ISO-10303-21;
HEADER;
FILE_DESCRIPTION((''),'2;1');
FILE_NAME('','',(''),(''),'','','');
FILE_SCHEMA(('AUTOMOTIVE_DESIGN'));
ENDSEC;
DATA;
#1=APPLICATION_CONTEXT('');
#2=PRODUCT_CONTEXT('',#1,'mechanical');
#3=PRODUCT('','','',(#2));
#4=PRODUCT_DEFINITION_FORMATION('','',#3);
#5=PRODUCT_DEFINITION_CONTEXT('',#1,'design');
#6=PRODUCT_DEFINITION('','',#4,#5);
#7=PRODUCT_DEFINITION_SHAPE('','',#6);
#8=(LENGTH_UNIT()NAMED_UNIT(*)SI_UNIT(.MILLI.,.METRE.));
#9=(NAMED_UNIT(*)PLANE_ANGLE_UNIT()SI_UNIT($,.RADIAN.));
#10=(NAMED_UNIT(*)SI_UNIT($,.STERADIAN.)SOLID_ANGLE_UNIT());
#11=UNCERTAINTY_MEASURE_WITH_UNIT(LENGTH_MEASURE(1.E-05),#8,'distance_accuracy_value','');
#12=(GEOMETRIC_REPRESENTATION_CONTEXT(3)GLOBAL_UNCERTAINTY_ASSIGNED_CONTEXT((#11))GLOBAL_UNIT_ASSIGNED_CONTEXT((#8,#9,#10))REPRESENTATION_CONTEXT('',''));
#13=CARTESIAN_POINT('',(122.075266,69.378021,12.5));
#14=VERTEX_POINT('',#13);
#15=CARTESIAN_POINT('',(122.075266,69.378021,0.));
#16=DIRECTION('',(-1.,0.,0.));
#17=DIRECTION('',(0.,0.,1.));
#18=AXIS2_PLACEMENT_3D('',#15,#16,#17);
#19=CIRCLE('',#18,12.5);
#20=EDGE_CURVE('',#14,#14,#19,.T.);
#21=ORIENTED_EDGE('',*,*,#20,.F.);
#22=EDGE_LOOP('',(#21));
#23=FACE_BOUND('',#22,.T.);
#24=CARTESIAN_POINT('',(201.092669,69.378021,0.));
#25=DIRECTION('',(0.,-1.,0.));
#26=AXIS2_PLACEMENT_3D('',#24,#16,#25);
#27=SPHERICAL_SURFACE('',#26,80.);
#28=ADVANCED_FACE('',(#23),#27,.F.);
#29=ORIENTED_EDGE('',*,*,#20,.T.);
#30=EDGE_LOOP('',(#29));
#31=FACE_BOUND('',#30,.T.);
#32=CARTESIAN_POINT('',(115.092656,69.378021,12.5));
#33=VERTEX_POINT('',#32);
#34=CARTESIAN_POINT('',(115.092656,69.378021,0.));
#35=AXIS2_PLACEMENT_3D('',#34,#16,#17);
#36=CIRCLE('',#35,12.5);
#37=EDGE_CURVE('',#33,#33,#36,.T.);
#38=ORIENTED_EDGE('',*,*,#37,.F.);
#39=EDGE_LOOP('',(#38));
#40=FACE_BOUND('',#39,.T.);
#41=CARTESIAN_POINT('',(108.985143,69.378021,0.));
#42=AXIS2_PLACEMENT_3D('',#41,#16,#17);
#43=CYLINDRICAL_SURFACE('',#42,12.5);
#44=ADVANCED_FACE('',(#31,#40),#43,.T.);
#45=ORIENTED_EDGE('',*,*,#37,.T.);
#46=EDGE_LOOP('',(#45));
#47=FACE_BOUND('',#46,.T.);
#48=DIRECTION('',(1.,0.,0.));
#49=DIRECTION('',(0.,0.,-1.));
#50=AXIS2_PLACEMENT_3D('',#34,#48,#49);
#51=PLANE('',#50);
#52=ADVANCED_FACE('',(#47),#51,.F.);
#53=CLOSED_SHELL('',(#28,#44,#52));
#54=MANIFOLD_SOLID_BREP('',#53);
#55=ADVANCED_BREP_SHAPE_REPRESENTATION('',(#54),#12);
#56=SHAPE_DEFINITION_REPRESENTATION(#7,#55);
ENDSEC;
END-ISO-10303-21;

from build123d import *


with BuildPart() as part:
    # 草图1 → 旋转1 (revolve)
    with BuildSketch(Plane.XY, mode=Mode.PRIVATE) as revolve_1_sk:
        with BuildLine():
            Line((115.092655535, 69.378021123), (115.092655535, 81.878021123))
            Line((115.092655535, 81.878021123), (122.075266077, 81.878021123))
            ThreePointArc((122.075266077, 81.878021123), (121.338696747, 75.647301317), (121.092669224, 69.378021123))
            Line((121.092669224, 69.378021123), (115.092655535, 69.378021123))
        make_face()
    revolve(revolve_1_sk.sketch.rotate(Axis((108.985143002, 69.378021123, 0), (1, 0, 0)), 180), axis=Axis((108.985143002, 69.378021123, 0), (1, 0, 0)))  # turned: the seam where the file's is


solid = part.part
